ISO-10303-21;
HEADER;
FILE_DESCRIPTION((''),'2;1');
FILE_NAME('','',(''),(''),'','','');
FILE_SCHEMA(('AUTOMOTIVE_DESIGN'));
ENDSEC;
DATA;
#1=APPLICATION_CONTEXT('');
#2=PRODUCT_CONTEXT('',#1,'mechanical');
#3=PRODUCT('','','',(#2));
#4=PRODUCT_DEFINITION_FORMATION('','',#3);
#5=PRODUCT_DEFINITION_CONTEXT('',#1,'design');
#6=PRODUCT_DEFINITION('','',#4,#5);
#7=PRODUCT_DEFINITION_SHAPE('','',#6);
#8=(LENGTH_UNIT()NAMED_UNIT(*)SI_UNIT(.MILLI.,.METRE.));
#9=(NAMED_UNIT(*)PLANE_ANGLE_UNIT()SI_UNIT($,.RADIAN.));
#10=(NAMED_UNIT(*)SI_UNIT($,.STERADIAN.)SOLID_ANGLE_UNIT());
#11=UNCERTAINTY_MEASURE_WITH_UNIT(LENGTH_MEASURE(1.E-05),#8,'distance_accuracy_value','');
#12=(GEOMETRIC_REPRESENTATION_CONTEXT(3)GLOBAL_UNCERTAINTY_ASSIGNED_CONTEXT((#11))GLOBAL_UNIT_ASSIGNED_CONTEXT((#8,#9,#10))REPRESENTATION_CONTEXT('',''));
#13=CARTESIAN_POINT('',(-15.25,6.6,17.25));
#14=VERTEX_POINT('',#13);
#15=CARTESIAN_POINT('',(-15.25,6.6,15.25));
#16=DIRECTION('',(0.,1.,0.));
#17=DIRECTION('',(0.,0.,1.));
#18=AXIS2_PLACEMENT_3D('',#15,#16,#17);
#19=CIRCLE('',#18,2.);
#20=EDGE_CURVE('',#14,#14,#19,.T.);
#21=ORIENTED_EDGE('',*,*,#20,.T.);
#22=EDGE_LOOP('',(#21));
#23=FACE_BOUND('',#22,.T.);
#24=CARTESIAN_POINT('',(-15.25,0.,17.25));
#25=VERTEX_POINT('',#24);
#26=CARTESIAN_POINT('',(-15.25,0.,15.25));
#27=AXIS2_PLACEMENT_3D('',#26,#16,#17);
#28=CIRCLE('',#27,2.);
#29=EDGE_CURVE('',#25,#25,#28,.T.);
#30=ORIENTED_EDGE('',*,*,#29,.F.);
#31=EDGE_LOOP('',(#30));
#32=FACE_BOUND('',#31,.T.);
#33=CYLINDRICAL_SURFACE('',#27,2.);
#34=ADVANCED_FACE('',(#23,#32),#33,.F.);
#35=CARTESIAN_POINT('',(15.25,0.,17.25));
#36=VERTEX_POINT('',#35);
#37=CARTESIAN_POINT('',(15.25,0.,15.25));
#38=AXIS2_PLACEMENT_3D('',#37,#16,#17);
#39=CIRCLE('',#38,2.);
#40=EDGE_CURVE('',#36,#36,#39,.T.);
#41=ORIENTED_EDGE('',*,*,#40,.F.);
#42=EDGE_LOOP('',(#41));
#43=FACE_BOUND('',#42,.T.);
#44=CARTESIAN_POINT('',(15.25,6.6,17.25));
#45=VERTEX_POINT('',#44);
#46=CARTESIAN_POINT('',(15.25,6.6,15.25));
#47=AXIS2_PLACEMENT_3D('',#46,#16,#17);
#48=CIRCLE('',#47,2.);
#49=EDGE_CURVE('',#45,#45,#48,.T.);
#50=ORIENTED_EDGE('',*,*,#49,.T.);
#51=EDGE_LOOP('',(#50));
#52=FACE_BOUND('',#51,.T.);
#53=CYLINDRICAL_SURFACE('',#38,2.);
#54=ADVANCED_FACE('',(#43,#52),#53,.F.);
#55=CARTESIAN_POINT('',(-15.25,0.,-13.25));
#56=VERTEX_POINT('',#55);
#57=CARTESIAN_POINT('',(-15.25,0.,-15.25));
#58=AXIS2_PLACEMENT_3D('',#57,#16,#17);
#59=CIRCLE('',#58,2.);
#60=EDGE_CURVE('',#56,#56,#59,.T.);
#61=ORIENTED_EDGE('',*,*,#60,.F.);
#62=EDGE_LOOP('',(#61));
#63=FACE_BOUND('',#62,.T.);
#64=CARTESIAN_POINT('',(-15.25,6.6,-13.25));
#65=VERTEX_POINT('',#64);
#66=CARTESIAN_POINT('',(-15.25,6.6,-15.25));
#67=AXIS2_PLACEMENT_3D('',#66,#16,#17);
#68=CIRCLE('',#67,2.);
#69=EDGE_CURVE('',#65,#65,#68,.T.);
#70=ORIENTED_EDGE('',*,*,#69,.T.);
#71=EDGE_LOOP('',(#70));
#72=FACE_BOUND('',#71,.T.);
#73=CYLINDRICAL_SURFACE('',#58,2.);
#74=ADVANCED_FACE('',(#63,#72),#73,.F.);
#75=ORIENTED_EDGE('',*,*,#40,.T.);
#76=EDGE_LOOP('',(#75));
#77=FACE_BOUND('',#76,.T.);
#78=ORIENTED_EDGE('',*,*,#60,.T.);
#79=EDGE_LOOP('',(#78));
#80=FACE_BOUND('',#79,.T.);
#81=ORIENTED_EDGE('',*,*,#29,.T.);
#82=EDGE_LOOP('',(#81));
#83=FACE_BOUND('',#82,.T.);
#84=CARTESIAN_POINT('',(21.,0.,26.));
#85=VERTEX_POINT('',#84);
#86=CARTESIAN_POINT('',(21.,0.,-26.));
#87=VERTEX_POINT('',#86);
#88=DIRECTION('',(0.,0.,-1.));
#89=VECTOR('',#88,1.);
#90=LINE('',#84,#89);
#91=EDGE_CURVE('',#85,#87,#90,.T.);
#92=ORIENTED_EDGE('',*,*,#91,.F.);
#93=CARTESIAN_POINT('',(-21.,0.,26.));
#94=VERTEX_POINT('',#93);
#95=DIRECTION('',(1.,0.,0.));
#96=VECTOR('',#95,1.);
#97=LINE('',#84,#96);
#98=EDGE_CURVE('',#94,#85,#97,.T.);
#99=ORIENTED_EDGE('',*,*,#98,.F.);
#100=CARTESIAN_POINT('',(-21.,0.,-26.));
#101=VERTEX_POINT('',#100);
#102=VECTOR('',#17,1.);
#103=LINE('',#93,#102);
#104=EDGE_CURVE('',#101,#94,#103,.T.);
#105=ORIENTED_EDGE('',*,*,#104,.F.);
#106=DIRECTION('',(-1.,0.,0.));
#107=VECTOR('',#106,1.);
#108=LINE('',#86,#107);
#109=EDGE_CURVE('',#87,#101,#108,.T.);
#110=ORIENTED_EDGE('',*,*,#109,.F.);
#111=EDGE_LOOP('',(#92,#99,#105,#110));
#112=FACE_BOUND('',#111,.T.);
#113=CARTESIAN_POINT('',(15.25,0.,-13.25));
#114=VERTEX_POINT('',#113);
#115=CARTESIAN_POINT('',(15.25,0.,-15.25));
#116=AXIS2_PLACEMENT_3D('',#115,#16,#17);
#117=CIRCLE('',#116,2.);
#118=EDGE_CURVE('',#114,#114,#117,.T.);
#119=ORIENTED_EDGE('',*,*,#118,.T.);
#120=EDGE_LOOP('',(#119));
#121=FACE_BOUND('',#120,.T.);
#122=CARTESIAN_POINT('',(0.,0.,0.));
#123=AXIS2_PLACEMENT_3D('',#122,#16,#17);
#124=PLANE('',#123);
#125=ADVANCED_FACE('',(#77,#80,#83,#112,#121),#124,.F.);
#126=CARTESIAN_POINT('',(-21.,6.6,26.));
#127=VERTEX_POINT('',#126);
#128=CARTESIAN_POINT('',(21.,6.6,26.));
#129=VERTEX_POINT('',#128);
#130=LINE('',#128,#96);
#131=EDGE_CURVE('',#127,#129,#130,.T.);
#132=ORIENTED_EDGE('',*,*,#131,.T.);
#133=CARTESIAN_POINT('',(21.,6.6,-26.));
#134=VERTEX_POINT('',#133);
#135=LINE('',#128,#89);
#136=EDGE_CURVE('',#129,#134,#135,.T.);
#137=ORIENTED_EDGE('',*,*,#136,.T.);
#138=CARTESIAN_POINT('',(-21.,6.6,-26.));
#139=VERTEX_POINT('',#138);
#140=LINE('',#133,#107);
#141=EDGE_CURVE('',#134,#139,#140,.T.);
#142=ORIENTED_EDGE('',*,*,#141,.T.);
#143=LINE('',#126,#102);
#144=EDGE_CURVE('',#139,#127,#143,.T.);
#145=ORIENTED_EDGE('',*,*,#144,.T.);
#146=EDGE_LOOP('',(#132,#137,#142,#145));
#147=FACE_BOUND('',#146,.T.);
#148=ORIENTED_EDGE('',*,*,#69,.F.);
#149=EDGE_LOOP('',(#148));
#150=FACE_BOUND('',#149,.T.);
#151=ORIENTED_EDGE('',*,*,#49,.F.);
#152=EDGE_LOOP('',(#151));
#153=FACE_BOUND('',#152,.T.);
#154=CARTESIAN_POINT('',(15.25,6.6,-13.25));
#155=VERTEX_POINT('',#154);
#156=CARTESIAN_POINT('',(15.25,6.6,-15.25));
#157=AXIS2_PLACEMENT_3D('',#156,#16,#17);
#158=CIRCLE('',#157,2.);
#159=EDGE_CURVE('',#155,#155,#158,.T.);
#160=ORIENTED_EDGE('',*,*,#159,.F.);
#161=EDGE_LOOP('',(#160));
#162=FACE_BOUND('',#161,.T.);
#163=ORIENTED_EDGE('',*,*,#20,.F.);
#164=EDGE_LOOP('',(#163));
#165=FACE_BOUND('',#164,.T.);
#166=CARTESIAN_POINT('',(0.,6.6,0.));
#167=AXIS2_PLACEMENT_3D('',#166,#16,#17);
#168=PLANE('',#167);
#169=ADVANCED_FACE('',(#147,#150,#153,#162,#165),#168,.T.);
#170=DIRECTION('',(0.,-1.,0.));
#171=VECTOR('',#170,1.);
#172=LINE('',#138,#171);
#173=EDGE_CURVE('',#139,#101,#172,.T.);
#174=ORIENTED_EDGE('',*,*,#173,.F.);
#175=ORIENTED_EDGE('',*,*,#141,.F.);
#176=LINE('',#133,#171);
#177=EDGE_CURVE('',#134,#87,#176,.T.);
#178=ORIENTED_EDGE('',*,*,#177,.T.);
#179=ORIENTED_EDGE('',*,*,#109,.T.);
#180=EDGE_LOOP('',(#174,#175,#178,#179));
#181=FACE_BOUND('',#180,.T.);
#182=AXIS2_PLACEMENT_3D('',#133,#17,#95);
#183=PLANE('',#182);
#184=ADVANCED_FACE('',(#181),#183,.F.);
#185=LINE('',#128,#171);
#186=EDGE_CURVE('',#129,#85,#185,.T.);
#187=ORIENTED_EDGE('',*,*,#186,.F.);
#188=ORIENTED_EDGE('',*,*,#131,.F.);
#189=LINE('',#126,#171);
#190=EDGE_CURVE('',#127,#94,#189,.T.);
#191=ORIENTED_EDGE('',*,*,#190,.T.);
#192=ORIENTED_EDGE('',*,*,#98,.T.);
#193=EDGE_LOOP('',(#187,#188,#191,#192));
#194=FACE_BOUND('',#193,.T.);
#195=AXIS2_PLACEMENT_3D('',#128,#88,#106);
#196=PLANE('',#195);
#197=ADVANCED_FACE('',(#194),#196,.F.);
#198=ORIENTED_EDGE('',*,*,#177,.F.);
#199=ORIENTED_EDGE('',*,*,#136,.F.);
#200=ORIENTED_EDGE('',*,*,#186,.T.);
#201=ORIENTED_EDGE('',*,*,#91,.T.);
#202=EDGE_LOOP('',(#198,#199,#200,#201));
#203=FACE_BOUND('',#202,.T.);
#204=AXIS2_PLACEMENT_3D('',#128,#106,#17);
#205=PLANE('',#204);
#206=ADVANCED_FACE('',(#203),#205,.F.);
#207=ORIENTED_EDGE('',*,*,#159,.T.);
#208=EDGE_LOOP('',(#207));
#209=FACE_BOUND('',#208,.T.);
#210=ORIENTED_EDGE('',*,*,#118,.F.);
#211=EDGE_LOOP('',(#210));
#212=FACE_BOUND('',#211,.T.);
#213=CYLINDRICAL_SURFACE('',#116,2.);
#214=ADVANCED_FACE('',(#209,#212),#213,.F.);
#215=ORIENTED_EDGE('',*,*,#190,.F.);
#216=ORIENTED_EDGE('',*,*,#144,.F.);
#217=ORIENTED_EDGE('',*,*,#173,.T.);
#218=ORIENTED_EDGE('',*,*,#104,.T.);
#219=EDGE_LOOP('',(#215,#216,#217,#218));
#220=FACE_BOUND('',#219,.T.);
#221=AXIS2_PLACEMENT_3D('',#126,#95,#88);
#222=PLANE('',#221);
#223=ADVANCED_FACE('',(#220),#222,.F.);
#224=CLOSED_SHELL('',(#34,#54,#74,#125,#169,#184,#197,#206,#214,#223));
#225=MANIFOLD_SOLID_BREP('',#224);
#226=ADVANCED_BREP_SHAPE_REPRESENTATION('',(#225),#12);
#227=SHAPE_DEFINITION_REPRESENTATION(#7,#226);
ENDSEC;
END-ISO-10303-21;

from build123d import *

# Parameters (mm, degrees)
SKETCH1_W           = 42
SKETCH1_H           = 52
BOSS_EXTRUDE1_DEPTH = 6.6
SKETCH2_R           = 2
CUT_EXTRUDE2_DEPTH  = 6.6


with BuildPart() as part:
    # Sketch1 → Boss-Extrude1 (new body)
    with BuildSketch(Plane(origin=(0, 0, 0), x_dir=(1, 0, 0), z_dir=(0, 1, 0))):
        Rectangle(SKETCH1_W, SKETCH1_H)
    extrude(amount=BOSS_EXTRUDE1_DEPTH)

    # Sketch2 → Cut-Extrude2 (cut)
    with BuildSketch(Plane(origin=(0, 6.6, 0), x_dir=(1, 0, 0), z_dir=(0, 1, 0))):
        with Locations(Location((-15.25, 15.25, 0), (0, 0, 270))):
            Circle(SKETCH2_R)
        with Locations(Location((15.25, 15.25, 0), (0, 0, 270))):
            Circle(SKETCH2_R)
        with Locations(Location((15.25, -15.25, 0), (0, 0, 270))):
            Circle(SKETCH2_R)
        with Locations(Location((-15.25, -15.25, 0), (0, 0, 270))):
            Circle(SKETCH2_R)
    extrude(amount=-CUT_EXTRUDE2_DEPTH, mode=Mode.SUBTRACT)


solid = part.part
